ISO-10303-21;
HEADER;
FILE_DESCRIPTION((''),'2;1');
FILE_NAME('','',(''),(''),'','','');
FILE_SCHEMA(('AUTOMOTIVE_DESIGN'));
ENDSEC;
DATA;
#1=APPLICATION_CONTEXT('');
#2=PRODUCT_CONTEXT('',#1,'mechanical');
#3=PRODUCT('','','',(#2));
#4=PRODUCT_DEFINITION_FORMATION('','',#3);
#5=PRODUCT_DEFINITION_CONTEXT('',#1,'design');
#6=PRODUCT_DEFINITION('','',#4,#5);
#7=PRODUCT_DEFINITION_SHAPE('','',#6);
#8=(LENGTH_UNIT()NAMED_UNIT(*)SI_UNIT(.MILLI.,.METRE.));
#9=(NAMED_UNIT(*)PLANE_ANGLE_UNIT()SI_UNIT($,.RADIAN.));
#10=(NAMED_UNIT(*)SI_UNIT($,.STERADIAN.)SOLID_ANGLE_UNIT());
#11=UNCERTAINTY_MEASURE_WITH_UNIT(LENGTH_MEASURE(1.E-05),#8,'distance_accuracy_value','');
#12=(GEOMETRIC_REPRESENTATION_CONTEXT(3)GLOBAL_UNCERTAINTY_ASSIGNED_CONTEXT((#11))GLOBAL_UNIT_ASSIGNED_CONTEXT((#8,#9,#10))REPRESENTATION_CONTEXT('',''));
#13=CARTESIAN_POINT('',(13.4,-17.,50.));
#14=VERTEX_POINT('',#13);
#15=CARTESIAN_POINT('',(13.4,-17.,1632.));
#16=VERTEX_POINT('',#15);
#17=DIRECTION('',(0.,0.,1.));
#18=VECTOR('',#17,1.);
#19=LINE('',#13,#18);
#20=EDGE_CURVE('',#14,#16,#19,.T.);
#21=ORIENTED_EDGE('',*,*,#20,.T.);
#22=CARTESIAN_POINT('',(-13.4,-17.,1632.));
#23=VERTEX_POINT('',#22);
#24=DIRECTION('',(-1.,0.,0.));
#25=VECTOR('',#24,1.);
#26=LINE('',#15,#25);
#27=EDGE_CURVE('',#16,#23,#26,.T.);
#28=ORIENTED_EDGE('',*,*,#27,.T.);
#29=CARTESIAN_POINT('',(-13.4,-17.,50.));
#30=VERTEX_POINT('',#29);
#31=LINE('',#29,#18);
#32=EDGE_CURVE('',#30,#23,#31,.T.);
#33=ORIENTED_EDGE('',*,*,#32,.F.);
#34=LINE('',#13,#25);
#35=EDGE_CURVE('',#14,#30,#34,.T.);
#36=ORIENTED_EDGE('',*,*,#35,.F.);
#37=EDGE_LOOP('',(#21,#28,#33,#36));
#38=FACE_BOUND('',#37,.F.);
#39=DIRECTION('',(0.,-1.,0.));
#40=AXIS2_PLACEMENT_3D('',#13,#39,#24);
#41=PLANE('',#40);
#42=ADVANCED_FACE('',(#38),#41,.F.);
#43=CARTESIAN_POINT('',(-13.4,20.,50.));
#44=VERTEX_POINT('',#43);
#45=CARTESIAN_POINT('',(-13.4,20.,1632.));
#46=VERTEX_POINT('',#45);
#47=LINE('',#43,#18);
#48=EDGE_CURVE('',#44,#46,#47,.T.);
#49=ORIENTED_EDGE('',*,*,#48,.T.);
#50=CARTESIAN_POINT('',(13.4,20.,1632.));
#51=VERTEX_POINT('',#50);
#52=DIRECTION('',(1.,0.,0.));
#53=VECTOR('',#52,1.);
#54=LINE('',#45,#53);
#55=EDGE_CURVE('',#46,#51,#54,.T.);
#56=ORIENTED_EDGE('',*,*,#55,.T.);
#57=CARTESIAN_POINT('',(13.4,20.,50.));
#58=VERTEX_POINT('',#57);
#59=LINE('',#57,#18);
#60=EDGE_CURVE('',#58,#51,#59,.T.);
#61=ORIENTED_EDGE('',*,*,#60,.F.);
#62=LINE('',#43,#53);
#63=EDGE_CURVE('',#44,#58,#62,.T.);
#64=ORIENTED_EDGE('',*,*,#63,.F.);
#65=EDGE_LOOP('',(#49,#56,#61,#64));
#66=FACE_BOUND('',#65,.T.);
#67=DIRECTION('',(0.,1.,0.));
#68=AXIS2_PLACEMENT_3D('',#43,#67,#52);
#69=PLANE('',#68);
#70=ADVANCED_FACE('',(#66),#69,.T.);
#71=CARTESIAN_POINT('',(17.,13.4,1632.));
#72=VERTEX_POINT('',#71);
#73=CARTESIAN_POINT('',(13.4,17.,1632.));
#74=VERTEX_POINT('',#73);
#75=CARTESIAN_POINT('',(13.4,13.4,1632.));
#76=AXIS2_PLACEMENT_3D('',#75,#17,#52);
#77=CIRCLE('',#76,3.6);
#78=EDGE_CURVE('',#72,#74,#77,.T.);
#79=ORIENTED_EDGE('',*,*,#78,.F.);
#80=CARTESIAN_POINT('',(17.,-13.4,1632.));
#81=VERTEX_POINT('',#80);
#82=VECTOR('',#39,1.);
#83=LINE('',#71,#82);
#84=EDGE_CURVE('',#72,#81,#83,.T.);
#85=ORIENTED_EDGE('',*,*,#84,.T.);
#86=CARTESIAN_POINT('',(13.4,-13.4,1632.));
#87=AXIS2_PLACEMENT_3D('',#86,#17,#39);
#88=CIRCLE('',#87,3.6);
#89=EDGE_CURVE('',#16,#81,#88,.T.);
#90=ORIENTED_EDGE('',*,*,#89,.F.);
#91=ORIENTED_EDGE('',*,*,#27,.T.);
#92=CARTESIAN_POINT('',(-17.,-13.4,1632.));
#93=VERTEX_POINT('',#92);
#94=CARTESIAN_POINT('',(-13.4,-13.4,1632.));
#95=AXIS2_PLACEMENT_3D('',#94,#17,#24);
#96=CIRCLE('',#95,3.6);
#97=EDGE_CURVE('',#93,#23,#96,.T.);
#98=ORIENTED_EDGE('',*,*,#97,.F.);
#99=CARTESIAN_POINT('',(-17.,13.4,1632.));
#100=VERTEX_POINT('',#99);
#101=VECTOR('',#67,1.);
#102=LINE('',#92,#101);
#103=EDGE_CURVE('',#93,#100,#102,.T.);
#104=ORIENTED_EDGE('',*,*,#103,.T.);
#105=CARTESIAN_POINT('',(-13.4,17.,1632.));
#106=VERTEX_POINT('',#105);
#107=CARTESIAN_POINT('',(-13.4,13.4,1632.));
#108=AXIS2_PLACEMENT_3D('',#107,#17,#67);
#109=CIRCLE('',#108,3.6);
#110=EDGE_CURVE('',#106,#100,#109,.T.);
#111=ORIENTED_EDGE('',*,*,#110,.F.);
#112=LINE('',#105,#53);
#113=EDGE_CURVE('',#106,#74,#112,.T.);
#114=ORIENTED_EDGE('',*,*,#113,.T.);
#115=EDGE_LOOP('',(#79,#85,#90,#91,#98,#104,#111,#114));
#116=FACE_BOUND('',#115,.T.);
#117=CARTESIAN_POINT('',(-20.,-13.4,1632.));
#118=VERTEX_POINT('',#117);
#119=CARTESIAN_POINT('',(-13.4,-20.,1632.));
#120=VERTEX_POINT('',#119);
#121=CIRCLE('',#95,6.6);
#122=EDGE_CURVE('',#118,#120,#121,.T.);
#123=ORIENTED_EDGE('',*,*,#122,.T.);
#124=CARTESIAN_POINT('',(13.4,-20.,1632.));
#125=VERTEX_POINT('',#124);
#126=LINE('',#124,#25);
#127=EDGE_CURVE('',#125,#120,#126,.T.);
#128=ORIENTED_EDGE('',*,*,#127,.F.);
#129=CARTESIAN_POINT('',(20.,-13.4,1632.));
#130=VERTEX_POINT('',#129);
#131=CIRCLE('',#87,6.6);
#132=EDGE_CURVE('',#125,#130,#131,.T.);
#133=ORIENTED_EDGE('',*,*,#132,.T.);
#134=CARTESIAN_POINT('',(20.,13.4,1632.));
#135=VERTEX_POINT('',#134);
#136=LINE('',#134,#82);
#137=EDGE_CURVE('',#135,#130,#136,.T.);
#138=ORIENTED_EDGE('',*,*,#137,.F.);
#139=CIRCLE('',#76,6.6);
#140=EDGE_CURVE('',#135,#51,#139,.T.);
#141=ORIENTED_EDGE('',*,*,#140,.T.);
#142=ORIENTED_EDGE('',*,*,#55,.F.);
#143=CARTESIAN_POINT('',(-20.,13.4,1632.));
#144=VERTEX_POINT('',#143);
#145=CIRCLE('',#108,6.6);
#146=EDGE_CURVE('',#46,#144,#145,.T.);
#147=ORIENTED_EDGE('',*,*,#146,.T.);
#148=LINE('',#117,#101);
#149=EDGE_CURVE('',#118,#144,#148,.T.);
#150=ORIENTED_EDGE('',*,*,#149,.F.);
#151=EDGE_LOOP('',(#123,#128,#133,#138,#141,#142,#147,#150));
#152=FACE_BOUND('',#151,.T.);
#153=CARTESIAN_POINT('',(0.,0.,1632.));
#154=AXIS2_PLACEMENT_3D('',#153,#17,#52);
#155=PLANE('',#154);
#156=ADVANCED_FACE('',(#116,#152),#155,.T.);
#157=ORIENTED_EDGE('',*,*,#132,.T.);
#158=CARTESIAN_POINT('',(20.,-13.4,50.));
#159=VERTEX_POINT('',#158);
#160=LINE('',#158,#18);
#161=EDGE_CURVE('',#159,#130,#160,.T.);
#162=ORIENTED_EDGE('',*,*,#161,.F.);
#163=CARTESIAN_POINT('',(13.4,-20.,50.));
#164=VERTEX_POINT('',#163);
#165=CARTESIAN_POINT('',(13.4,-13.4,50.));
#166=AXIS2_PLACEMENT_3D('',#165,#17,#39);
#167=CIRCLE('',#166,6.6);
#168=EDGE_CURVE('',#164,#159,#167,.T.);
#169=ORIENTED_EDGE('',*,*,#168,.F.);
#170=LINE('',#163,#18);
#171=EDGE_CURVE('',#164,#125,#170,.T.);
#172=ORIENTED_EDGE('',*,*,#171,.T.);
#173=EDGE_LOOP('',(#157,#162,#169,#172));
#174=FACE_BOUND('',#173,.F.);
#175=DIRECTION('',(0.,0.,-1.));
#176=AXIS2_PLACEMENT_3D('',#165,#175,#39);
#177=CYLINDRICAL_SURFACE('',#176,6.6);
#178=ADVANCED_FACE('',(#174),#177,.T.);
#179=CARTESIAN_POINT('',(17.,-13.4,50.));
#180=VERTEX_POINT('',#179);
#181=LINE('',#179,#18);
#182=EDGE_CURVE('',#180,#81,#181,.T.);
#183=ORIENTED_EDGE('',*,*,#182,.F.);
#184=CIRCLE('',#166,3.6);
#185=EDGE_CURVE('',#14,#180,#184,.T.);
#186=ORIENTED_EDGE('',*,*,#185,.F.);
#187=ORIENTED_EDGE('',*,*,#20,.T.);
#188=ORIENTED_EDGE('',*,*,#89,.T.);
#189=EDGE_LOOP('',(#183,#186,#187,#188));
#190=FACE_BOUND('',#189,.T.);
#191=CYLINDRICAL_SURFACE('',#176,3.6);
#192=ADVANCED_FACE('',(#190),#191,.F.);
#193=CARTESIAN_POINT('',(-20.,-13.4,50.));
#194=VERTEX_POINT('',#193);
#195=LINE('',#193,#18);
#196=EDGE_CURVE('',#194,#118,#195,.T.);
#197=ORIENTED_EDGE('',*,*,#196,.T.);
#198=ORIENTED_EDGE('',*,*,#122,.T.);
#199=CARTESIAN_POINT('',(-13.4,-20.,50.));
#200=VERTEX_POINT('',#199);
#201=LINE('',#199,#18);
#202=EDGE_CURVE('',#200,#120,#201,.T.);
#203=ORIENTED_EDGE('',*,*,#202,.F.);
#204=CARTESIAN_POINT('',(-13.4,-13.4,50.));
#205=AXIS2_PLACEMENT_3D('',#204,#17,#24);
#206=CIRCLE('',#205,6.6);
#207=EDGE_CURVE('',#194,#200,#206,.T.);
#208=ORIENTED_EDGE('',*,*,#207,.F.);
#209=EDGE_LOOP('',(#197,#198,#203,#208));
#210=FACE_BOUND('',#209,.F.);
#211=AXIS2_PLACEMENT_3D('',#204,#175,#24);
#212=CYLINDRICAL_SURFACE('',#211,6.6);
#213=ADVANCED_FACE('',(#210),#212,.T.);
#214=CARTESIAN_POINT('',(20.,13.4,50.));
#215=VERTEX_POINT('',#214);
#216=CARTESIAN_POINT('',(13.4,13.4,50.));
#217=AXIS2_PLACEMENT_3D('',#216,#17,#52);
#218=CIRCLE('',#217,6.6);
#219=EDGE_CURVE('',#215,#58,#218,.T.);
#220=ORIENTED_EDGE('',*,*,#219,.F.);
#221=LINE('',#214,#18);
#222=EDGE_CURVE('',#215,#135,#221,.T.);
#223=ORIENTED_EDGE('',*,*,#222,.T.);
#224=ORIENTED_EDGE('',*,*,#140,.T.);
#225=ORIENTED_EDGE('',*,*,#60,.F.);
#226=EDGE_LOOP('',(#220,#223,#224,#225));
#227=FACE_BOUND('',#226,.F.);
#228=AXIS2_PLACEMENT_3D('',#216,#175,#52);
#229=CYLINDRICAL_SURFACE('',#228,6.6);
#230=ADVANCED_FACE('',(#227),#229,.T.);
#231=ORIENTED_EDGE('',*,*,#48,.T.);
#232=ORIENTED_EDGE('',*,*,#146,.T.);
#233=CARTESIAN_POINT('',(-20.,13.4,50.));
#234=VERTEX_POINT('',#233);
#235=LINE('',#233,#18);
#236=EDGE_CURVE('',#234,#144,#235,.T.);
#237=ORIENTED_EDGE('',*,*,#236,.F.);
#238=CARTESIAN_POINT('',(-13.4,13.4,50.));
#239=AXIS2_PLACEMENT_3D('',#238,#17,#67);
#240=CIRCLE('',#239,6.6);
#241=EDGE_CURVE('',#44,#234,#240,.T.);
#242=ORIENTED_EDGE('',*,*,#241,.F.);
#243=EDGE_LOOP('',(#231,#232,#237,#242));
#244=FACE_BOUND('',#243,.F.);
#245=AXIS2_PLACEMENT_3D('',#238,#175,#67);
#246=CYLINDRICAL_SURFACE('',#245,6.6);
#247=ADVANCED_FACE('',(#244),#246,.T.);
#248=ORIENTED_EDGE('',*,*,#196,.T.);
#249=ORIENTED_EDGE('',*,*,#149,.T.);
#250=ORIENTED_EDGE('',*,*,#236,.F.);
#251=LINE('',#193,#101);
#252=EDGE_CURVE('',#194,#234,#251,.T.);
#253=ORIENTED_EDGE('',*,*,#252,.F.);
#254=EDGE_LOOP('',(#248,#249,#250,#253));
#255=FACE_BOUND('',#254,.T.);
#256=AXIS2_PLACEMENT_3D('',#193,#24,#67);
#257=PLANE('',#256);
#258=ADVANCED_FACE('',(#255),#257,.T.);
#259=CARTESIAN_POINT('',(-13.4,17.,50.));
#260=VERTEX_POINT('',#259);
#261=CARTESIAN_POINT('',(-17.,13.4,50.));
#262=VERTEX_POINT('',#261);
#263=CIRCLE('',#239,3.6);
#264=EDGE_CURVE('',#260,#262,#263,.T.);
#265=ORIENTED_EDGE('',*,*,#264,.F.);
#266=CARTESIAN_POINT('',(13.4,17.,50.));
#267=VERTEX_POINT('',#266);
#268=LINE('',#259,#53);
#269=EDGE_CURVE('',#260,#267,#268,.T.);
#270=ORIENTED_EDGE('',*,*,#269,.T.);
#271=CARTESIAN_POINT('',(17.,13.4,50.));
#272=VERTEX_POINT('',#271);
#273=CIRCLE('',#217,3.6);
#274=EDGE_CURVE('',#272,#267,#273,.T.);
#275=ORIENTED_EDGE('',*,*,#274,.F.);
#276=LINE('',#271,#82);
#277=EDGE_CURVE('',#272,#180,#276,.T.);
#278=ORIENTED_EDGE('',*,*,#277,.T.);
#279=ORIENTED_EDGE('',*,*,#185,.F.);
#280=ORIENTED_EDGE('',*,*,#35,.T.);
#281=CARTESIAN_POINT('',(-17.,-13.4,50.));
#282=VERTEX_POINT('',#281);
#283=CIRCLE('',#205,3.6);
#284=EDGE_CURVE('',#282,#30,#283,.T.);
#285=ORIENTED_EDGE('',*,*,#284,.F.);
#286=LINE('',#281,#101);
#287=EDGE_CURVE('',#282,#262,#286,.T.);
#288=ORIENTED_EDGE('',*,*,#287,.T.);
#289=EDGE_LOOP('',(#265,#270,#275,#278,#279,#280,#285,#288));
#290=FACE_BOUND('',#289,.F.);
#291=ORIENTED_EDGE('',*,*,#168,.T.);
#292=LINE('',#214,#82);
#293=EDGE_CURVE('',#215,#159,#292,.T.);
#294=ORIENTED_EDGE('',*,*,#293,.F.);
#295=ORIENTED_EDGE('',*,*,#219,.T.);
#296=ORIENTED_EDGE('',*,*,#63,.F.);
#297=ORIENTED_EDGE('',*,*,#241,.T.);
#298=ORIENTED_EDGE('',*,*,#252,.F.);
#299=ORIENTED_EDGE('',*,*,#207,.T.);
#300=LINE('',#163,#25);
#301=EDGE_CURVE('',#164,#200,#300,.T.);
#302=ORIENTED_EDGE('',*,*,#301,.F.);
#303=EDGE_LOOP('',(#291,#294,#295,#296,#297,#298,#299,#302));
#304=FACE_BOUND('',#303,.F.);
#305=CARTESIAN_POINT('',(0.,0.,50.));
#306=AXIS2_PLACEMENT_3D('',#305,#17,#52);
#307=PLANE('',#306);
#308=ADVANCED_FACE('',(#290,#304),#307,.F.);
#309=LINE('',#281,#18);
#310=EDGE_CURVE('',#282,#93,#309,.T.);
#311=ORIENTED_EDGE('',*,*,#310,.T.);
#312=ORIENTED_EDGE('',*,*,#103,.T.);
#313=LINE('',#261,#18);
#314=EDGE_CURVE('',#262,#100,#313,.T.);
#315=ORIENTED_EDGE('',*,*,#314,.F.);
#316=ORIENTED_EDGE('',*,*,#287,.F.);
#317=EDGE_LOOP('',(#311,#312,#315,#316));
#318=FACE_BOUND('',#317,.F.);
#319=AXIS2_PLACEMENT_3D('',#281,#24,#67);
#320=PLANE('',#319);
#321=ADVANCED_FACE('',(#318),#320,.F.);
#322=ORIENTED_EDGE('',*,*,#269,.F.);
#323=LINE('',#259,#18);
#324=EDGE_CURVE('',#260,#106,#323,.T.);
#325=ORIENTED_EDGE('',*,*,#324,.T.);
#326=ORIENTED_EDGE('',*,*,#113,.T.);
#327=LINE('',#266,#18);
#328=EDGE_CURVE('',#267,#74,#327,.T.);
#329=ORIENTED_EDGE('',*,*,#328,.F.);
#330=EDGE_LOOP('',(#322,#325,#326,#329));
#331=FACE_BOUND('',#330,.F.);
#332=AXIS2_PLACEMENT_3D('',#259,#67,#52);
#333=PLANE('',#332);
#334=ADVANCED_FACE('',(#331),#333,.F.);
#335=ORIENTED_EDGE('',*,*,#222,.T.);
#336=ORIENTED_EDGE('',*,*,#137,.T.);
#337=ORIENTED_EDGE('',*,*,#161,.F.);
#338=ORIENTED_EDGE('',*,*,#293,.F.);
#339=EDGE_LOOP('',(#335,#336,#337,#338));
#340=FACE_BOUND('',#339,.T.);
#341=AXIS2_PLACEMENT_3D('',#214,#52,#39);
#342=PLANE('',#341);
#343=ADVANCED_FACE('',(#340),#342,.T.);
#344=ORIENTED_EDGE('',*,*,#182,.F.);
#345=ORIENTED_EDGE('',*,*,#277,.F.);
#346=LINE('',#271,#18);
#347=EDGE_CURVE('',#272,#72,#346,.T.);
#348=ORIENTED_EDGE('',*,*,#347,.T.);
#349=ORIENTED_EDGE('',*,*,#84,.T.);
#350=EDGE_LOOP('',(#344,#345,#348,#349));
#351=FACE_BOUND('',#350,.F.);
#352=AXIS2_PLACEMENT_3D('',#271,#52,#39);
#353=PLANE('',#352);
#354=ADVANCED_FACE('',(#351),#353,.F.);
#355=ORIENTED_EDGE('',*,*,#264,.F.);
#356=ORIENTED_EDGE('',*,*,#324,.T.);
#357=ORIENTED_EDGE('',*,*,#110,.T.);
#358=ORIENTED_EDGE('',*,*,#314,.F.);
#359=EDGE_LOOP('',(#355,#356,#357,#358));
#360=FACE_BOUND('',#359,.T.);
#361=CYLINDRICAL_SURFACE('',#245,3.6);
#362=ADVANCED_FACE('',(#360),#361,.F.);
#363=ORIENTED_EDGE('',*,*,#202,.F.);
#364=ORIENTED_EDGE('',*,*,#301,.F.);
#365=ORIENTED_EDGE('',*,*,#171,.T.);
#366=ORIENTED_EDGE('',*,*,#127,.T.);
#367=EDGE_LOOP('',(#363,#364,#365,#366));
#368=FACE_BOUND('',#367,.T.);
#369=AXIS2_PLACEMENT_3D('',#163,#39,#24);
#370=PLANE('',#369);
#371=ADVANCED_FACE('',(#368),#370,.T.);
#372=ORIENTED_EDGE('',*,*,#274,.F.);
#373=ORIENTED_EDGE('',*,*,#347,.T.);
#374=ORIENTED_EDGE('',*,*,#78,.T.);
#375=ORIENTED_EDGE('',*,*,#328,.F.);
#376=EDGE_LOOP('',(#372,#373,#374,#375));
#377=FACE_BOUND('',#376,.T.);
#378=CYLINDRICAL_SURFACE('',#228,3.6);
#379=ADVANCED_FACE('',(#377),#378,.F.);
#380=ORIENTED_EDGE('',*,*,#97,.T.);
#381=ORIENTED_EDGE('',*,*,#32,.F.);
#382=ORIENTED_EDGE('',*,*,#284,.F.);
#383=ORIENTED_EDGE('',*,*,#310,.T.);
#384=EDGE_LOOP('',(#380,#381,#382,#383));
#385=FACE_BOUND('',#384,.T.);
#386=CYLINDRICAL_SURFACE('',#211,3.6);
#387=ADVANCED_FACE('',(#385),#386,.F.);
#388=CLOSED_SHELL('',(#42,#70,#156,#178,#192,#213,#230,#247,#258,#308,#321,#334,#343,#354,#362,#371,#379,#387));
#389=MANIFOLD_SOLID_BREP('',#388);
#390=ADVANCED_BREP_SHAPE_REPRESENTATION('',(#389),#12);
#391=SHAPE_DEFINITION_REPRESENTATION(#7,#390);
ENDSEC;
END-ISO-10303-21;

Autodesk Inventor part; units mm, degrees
ref_plane "Start plane" through (0, 0, 50) normal (0, 0, 1) x (1, 0, 0)
ref_plane "End plane" through (0, 0, 1632) normal (0, 0, 1) x (1, 0, 0)
sketch "Sketch" plane through (0, 0, 0) normal (0, 0, 1) x (1, 0, 0)
  line L0 (-20, -13.4) -> (-20, 13.4)
  line L1 (-13.4, 20) -> (13.4, 20)
  line L2 (20, 13.4) -> (20, -13.4)
  line L3 (13.4, -20) -> (-13.4, -20)
  arc A0 (-20, -13.4) -> (-13.4, -20) centre (-13.4, -13.4) ccw
  arc A1 (-13.4, 20) -> (-20, 13.4) centre (-13.4, 13.4) ccw
  arc A2 (20, 13.4) -> (13.4, 20) centre (13.4, 13.4) ccw
  arc A3 (13.4, -20) -> (20, -13.4) centre (13.4, -13.4) ccw
  arc A4 (-13.4, 17) -> (-17, 13.4) centre (-13.4, 13.4) ccw
  line L4 (-13.4, 17) -> (13.4, 17)
  arc A5 (17, 13.4) -> (13.4, 17) centre (13.4, 13.4) ccw
  line L5 (17, 13.4) -> (17, -13.4)
  arc A6 (13.4, -17) -> (17, -13.4) centre (13.4, -13.4) ccw
  line L6 (13.4, -17) -> (-13.4, -17)
  arc A7 (-17, -13.4) -> (-13.4, -17) centre (-13.4, -13.4) ccw
  line L7 (-17, -13.4) -> (-17, 13.4)
  line L8 (0, 22.0873) -> (0, -22.0873) construction
  line L9 (-22.0873, 0) -> (22.0873, 0) construction
  dimension "d7" = 6.6
  dimension "d10" = 40
  dimension "d11" = 40
  dimension "d12" = 3
  dimension "d15" = 20
  dimension "d16" = 20
extrude "Body" add sketch "Sketch" along normal up to surface (1582 mm away) from surface at 50
sketch "Sketch3" plane through (0, 0, 0) normal (0, 0, 1) x (1, 0, 0)
  line L0 (0, 0) -> (10, 0)
ref_plane "Work Plane3" through (0, 0, 0) normal (0, -1, 0) x (1, 0, 0)
sketch "Sketch4" plane through (0, 0, 0) normal (0, -1, 0) x (1, 0, 0)
  line L0 (-2, 50) -> (12, 50)
  line L1 (-2, 1632) -> (12, 1632)
  dimension "d18" = 1582
ref_plane "Work Plane4" through (-9.2, -705, 1632) normal (0, 0, 1) x (1, 0, 0)
split "Split1" plane through (-9.2, -705, 1632) removes the side toward (0, 0, 1)
ref_plane "Work Plane5" through (-9.2, 45, 50) normal (0, 0, -1) x (-1, 0, 0)
split "Split2" plane through (-9.2, 45, 50) removes the side toward (0, 0, -1)
equation "\"d7\" = G_IR"
equation "\"d10\" = G_H"
equation "\"d11\" = G_W"
equation "\"d12\" = G_T"
equation "\"d15\" = 0.5 * d10"
equation "\"d16\" = 0.5 * d11"
equation "\"d3\" = G_L"
equation "\"G_W\" = 40"
equation "\"G_H\" = 40"
equation "\"G_T\" = 3"
equation "\"G_IR\" = 6.6"
equation "\"G_L\" = d18"
equation "\"d14\" = G_OFFSET_END + B_L"
equation "\"B_L\" = 1682"
equation "\"G_OFFSET_END\" = -50"
properties part number "DIN EN 10305-5 - 40 x 40 x 3  - 1582" material "Steel, Mild"
